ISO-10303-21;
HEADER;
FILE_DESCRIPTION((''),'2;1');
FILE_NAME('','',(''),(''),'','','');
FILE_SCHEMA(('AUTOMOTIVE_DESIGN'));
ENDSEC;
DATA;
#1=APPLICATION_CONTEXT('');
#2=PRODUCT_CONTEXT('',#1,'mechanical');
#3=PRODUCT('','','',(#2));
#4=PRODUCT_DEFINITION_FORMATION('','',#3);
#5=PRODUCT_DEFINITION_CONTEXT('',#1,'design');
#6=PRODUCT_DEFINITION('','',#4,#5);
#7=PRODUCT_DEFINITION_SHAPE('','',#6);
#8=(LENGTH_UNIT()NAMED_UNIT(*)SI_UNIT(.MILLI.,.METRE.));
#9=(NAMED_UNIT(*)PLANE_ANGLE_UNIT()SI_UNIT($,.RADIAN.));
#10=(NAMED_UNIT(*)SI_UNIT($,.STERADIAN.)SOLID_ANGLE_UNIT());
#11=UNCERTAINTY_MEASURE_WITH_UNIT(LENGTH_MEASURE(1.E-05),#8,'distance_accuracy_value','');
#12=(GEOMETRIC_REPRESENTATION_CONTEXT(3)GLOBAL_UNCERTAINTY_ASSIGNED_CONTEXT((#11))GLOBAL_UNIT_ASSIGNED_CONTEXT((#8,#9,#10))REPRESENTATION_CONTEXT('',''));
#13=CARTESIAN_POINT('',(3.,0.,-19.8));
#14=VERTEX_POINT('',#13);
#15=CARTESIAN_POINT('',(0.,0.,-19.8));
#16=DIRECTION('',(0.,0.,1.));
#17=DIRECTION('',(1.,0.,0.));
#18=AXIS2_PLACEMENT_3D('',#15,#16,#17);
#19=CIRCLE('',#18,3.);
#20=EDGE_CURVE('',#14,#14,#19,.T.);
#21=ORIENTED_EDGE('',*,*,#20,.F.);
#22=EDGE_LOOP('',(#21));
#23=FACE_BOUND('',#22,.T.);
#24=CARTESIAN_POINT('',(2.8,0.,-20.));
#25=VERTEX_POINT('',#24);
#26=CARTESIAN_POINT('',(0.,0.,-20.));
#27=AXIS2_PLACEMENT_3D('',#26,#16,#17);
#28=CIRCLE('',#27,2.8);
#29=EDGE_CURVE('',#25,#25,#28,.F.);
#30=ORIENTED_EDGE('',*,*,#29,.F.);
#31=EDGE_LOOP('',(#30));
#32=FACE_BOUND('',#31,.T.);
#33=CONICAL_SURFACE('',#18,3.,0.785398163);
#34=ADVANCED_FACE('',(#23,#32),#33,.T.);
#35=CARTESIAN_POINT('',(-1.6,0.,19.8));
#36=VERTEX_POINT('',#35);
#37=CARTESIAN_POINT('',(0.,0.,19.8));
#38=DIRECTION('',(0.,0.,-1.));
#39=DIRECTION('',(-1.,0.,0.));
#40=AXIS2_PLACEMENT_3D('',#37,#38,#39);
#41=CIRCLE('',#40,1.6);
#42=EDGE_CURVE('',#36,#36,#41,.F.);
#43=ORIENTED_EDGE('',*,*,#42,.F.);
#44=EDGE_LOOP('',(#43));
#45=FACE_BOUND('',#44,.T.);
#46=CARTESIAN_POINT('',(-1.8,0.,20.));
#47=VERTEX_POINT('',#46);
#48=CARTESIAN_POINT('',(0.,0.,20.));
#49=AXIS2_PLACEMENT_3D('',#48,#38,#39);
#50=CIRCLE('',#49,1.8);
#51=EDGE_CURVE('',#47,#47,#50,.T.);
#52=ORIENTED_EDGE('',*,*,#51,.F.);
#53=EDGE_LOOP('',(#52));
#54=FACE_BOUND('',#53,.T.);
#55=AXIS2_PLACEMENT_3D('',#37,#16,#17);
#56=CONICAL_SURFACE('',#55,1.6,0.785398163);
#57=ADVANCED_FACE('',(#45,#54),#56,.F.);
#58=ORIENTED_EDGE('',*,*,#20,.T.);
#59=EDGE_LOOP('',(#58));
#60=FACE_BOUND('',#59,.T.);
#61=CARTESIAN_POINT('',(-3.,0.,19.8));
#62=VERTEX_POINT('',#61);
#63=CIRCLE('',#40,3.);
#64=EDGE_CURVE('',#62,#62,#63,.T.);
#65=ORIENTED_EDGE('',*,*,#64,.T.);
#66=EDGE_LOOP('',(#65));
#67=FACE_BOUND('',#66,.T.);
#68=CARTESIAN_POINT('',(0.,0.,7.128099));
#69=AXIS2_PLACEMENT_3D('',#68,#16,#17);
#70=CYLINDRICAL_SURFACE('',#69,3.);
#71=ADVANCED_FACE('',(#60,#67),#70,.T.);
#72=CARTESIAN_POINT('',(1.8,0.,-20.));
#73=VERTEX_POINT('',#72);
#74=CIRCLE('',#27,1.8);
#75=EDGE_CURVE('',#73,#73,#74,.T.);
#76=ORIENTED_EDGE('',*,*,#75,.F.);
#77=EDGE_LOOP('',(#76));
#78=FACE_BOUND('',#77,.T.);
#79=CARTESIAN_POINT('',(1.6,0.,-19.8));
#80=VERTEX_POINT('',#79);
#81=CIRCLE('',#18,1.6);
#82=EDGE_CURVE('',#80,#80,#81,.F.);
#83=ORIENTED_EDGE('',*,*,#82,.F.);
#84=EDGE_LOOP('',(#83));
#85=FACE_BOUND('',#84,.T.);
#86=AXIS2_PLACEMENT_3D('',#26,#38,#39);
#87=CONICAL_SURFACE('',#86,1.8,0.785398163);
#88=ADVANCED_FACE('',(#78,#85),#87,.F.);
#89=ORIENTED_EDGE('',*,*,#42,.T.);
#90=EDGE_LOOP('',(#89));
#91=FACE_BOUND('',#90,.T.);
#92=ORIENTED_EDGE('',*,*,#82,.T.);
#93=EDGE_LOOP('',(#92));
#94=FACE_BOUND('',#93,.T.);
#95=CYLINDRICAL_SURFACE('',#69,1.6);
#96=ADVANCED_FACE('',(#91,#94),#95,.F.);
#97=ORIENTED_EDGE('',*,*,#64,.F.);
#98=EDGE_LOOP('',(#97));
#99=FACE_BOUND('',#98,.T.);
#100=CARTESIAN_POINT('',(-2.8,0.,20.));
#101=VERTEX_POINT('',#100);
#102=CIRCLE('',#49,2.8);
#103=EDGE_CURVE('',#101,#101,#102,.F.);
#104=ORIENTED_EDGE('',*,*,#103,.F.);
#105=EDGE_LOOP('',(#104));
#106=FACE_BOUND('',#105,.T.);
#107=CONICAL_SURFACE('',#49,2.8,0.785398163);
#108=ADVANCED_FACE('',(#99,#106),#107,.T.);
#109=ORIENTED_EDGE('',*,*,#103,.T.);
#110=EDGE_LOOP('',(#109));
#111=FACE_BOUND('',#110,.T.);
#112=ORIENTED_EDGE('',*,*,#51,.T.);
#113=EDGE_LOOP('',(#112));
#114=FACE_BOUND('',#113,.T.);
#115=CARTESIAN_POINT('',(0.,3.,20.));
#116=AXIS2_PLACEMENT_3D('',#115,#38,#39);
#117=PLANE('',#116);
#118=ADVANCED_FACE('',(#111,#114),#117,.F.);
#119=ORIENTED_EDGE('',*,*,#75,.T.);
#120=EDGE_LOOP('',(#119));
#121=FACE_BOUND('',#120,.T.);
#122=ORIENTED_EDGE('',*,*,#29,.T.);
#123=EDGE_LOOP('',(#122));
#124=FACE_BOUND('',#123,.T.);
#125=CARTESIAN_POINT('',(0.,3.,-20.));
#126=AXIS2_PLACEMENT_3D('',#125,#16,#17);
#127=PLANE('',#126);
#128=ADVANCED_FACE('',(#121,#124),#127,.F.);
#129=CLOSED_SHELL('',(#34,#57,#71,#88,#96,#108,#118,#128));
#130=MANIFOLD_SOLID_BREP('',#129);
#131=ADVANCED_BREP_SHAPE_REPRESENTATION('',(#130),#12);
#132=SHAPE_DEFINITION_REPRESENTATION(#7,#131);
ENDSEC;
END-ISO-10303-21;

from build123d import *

# Parameters (mm, degrees)
SKETCH_1_W     = 40
SKETCH_1_H     = 1.4
CHAMFER_1_SIZE = 0.2


with BuildPart() as part:
    # ｽｹｯﾁ1 → 回転1 (revolve)
    with BuildSketch(Plane(origin=(0, 0, 0), x_dir=(0, 0, -1), z_dir=(1, 0, 0)), mode=Mode.PRIVATE) as revolve_1_sk:
        with Locations((0, 2.3)):
            Rectangle(SKETCH_1_W, SKETCH_1_H)
    revolve(revolve_1_sk.sketch.rotate(Axis((0, 0, 7.128099174), (0, 0, -1)), 90), axis=Axis((0, 0, 7.128099174), (0, 0, -1)))

    # 面取り1
    chamfer_1_edges = [part.edges().sort_by_distance(p)[0] for p in [
        (-3, 0, 20),
        (-3, 0, -20),
        (-1.6, 0, -20),
        (-1.6, 0, 20),
    ]]
    chamfer(chamfer_1_edges, length=CHAMFER_1_SIZE)


solid = part.part
